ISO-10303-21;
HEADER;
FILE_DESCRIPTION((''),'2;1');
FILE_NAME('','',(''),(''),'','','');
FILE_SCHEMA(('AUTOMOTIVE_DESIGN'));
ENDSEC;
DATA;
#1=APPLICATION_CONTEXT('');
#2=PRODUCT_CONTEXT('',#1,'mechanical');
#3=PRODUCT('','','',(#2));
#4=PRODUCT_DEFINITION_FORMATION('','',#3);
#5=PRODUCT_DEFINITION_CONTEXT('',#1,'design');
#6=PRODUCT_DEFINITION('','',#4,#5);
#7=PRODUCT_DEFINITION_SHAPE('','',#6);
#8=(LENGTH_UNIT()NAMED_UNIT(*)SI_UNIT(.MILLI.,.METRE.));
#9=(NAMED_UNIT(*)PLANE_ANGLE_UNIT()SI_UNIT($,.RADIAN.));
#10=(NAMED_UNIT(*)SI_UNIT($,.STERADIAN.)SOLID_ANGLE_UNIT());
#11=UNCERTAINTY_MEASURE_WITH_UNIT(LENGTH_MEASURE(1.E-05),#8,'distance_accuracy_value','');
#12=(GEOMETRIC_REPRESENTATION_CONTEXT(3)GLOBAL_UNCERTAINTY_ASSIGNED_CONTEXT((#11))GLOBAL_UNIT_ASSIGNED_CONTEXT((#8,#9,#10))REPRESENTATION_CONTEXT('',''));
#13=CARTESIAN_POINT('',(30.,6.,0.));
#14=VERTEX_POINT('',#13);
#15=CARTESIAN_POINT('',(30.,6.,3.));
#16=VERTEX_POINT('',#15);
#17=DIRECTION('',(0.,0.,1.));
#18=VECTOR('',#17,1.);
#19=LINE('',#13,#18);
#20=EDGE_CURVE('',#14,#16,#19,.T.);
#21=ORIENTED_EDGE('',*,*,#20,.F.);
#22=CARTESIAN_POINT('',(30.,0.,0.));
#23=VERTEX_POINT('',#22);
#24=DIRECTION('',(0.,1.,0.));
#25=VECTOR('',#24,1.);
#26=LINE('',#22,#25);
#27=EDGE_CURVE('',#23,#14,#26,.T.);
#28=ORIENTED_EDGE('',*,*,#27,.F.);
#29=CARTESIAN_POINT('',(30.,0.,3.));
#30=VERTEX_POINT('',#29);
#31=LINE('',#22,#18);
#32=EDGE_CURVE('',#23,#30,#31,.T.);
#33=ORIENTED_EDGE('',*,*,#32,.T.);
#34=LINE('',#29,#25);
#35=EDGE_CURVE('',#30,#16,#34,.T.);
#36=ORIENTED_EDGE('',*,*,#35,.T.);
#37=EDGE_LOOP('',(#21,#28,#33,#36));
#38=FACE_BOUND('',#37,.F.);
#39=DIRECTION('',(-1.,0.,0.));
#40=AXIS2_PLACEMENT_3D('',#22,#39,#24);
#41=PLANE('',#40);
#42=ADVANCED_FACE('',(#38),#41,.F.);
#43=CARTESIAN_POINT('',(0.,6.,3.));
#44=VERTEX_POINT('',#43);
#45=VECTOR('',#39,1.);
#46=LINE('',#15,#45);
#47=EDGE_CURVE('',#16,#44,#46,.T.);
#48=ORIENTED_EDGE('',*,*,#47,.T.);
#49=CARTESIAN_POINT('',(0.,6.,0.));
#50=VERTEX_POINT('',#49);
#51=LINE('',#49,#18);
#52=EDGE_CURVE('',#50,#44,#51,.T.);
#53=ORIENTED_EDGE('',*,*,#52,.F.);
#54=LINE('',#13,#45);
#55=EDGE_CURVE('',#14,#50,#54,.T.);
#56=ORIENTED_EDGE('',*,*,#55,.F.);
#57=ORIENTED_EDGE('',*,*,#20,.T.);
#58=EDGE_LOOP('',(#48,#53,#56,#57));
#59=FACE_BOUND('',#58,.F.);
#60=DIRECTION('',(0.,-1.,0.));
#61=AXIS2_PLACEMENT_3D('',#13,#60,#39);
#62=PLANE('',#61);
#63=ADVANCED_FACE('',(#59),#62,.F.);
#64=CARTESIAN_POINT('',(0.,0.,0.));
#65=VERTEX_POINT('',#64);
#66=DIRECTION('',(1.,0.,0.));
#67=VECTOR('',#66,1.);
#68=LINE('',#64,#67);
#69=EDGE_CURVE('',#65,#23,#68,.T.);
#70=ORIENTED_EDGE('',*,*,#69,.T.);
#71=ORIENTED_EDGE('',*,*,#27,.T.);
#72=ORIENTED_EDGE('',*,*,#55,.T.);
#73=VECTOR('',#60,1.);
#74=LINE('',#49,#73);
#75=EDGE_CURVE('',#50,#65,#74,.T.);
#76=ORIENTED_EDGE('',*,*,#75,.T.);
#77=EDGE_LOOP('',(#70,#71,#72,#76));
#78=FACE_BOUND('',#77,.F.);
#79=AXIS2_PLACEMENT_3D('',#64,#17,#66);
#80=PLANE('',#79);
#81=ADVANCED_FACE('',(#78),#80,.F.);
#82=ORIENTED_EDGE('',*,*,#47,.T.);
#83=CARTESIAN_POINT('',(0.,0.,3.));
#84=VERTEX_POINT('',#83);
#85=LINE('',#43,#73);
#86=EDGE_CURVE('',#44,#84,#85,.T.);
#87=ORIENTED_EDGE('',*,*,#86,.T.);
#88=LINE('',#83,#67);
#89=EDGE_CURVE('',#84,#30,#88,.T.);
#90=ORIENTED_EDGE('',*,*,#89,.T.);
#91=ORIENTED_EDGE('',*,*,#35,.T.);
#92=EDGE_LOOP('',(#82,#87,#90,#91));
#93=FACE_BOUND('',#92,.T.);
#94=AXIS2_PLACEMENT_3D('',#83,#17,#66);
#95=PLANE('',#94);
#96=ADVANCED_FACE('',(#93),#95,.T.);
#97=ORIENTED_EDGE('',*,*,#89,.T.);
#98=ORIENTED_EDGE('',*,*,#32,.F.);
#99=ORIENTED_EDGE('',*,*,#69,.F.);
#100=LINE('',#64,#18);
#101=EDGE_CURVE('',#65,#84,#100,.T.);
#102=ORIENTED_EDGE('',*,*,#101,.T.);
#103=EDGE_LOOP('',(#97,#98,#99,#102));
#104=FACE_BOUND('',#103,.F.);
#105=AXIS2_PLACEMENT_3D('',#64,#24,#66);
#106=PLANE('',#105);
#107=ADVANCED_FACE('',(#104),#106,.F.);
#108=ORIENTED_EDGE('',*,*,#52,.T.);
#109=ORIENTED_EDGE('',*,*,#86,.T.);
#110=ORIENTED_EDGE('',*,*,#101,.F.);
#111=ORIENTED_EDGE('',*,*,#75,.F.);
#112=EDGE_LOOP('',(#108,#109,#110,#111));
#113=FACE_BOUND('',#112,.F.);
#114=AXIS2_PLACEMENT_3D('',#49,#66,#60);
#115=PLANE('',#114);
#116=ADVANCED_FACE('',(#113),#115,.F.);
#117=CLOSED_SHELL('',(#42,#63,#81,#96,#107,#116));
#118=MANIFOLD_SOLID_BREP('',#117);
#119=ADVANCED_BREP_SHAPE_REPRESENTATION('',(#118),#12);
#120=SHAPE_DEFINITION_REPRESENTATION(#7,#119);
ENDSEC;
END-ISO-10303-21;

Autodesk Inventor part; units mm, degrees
ref_plane "YZ Plane" through (0, 0, 0) normal (1, 0, 0) x (0, 1, 0)
ref_plane "XZ Plane" through (0, 0, 0) normal (0, 1, 0) x (-1, 0, 0)
ref_plane "XY Plane" through (0, 0, 0) normal (0, 0, 1) x (1, 0, 0)
sketch "草圖1" plane through (0, 0, 0) normal (0, 0, 1) x (1, 0, 0)
  line L0 (0, 0) -> (30, 0)
  line L1 (30, 0) -> (30, 6)
  line L2 (30, 6) -> (0, 6)
  line L3 (0, 6) -> (0, 0)
  dimension "d0" = 6
  dimension "d1" = 30
extrude "擠出1" add sketch "草圖1" along normal blind 3
